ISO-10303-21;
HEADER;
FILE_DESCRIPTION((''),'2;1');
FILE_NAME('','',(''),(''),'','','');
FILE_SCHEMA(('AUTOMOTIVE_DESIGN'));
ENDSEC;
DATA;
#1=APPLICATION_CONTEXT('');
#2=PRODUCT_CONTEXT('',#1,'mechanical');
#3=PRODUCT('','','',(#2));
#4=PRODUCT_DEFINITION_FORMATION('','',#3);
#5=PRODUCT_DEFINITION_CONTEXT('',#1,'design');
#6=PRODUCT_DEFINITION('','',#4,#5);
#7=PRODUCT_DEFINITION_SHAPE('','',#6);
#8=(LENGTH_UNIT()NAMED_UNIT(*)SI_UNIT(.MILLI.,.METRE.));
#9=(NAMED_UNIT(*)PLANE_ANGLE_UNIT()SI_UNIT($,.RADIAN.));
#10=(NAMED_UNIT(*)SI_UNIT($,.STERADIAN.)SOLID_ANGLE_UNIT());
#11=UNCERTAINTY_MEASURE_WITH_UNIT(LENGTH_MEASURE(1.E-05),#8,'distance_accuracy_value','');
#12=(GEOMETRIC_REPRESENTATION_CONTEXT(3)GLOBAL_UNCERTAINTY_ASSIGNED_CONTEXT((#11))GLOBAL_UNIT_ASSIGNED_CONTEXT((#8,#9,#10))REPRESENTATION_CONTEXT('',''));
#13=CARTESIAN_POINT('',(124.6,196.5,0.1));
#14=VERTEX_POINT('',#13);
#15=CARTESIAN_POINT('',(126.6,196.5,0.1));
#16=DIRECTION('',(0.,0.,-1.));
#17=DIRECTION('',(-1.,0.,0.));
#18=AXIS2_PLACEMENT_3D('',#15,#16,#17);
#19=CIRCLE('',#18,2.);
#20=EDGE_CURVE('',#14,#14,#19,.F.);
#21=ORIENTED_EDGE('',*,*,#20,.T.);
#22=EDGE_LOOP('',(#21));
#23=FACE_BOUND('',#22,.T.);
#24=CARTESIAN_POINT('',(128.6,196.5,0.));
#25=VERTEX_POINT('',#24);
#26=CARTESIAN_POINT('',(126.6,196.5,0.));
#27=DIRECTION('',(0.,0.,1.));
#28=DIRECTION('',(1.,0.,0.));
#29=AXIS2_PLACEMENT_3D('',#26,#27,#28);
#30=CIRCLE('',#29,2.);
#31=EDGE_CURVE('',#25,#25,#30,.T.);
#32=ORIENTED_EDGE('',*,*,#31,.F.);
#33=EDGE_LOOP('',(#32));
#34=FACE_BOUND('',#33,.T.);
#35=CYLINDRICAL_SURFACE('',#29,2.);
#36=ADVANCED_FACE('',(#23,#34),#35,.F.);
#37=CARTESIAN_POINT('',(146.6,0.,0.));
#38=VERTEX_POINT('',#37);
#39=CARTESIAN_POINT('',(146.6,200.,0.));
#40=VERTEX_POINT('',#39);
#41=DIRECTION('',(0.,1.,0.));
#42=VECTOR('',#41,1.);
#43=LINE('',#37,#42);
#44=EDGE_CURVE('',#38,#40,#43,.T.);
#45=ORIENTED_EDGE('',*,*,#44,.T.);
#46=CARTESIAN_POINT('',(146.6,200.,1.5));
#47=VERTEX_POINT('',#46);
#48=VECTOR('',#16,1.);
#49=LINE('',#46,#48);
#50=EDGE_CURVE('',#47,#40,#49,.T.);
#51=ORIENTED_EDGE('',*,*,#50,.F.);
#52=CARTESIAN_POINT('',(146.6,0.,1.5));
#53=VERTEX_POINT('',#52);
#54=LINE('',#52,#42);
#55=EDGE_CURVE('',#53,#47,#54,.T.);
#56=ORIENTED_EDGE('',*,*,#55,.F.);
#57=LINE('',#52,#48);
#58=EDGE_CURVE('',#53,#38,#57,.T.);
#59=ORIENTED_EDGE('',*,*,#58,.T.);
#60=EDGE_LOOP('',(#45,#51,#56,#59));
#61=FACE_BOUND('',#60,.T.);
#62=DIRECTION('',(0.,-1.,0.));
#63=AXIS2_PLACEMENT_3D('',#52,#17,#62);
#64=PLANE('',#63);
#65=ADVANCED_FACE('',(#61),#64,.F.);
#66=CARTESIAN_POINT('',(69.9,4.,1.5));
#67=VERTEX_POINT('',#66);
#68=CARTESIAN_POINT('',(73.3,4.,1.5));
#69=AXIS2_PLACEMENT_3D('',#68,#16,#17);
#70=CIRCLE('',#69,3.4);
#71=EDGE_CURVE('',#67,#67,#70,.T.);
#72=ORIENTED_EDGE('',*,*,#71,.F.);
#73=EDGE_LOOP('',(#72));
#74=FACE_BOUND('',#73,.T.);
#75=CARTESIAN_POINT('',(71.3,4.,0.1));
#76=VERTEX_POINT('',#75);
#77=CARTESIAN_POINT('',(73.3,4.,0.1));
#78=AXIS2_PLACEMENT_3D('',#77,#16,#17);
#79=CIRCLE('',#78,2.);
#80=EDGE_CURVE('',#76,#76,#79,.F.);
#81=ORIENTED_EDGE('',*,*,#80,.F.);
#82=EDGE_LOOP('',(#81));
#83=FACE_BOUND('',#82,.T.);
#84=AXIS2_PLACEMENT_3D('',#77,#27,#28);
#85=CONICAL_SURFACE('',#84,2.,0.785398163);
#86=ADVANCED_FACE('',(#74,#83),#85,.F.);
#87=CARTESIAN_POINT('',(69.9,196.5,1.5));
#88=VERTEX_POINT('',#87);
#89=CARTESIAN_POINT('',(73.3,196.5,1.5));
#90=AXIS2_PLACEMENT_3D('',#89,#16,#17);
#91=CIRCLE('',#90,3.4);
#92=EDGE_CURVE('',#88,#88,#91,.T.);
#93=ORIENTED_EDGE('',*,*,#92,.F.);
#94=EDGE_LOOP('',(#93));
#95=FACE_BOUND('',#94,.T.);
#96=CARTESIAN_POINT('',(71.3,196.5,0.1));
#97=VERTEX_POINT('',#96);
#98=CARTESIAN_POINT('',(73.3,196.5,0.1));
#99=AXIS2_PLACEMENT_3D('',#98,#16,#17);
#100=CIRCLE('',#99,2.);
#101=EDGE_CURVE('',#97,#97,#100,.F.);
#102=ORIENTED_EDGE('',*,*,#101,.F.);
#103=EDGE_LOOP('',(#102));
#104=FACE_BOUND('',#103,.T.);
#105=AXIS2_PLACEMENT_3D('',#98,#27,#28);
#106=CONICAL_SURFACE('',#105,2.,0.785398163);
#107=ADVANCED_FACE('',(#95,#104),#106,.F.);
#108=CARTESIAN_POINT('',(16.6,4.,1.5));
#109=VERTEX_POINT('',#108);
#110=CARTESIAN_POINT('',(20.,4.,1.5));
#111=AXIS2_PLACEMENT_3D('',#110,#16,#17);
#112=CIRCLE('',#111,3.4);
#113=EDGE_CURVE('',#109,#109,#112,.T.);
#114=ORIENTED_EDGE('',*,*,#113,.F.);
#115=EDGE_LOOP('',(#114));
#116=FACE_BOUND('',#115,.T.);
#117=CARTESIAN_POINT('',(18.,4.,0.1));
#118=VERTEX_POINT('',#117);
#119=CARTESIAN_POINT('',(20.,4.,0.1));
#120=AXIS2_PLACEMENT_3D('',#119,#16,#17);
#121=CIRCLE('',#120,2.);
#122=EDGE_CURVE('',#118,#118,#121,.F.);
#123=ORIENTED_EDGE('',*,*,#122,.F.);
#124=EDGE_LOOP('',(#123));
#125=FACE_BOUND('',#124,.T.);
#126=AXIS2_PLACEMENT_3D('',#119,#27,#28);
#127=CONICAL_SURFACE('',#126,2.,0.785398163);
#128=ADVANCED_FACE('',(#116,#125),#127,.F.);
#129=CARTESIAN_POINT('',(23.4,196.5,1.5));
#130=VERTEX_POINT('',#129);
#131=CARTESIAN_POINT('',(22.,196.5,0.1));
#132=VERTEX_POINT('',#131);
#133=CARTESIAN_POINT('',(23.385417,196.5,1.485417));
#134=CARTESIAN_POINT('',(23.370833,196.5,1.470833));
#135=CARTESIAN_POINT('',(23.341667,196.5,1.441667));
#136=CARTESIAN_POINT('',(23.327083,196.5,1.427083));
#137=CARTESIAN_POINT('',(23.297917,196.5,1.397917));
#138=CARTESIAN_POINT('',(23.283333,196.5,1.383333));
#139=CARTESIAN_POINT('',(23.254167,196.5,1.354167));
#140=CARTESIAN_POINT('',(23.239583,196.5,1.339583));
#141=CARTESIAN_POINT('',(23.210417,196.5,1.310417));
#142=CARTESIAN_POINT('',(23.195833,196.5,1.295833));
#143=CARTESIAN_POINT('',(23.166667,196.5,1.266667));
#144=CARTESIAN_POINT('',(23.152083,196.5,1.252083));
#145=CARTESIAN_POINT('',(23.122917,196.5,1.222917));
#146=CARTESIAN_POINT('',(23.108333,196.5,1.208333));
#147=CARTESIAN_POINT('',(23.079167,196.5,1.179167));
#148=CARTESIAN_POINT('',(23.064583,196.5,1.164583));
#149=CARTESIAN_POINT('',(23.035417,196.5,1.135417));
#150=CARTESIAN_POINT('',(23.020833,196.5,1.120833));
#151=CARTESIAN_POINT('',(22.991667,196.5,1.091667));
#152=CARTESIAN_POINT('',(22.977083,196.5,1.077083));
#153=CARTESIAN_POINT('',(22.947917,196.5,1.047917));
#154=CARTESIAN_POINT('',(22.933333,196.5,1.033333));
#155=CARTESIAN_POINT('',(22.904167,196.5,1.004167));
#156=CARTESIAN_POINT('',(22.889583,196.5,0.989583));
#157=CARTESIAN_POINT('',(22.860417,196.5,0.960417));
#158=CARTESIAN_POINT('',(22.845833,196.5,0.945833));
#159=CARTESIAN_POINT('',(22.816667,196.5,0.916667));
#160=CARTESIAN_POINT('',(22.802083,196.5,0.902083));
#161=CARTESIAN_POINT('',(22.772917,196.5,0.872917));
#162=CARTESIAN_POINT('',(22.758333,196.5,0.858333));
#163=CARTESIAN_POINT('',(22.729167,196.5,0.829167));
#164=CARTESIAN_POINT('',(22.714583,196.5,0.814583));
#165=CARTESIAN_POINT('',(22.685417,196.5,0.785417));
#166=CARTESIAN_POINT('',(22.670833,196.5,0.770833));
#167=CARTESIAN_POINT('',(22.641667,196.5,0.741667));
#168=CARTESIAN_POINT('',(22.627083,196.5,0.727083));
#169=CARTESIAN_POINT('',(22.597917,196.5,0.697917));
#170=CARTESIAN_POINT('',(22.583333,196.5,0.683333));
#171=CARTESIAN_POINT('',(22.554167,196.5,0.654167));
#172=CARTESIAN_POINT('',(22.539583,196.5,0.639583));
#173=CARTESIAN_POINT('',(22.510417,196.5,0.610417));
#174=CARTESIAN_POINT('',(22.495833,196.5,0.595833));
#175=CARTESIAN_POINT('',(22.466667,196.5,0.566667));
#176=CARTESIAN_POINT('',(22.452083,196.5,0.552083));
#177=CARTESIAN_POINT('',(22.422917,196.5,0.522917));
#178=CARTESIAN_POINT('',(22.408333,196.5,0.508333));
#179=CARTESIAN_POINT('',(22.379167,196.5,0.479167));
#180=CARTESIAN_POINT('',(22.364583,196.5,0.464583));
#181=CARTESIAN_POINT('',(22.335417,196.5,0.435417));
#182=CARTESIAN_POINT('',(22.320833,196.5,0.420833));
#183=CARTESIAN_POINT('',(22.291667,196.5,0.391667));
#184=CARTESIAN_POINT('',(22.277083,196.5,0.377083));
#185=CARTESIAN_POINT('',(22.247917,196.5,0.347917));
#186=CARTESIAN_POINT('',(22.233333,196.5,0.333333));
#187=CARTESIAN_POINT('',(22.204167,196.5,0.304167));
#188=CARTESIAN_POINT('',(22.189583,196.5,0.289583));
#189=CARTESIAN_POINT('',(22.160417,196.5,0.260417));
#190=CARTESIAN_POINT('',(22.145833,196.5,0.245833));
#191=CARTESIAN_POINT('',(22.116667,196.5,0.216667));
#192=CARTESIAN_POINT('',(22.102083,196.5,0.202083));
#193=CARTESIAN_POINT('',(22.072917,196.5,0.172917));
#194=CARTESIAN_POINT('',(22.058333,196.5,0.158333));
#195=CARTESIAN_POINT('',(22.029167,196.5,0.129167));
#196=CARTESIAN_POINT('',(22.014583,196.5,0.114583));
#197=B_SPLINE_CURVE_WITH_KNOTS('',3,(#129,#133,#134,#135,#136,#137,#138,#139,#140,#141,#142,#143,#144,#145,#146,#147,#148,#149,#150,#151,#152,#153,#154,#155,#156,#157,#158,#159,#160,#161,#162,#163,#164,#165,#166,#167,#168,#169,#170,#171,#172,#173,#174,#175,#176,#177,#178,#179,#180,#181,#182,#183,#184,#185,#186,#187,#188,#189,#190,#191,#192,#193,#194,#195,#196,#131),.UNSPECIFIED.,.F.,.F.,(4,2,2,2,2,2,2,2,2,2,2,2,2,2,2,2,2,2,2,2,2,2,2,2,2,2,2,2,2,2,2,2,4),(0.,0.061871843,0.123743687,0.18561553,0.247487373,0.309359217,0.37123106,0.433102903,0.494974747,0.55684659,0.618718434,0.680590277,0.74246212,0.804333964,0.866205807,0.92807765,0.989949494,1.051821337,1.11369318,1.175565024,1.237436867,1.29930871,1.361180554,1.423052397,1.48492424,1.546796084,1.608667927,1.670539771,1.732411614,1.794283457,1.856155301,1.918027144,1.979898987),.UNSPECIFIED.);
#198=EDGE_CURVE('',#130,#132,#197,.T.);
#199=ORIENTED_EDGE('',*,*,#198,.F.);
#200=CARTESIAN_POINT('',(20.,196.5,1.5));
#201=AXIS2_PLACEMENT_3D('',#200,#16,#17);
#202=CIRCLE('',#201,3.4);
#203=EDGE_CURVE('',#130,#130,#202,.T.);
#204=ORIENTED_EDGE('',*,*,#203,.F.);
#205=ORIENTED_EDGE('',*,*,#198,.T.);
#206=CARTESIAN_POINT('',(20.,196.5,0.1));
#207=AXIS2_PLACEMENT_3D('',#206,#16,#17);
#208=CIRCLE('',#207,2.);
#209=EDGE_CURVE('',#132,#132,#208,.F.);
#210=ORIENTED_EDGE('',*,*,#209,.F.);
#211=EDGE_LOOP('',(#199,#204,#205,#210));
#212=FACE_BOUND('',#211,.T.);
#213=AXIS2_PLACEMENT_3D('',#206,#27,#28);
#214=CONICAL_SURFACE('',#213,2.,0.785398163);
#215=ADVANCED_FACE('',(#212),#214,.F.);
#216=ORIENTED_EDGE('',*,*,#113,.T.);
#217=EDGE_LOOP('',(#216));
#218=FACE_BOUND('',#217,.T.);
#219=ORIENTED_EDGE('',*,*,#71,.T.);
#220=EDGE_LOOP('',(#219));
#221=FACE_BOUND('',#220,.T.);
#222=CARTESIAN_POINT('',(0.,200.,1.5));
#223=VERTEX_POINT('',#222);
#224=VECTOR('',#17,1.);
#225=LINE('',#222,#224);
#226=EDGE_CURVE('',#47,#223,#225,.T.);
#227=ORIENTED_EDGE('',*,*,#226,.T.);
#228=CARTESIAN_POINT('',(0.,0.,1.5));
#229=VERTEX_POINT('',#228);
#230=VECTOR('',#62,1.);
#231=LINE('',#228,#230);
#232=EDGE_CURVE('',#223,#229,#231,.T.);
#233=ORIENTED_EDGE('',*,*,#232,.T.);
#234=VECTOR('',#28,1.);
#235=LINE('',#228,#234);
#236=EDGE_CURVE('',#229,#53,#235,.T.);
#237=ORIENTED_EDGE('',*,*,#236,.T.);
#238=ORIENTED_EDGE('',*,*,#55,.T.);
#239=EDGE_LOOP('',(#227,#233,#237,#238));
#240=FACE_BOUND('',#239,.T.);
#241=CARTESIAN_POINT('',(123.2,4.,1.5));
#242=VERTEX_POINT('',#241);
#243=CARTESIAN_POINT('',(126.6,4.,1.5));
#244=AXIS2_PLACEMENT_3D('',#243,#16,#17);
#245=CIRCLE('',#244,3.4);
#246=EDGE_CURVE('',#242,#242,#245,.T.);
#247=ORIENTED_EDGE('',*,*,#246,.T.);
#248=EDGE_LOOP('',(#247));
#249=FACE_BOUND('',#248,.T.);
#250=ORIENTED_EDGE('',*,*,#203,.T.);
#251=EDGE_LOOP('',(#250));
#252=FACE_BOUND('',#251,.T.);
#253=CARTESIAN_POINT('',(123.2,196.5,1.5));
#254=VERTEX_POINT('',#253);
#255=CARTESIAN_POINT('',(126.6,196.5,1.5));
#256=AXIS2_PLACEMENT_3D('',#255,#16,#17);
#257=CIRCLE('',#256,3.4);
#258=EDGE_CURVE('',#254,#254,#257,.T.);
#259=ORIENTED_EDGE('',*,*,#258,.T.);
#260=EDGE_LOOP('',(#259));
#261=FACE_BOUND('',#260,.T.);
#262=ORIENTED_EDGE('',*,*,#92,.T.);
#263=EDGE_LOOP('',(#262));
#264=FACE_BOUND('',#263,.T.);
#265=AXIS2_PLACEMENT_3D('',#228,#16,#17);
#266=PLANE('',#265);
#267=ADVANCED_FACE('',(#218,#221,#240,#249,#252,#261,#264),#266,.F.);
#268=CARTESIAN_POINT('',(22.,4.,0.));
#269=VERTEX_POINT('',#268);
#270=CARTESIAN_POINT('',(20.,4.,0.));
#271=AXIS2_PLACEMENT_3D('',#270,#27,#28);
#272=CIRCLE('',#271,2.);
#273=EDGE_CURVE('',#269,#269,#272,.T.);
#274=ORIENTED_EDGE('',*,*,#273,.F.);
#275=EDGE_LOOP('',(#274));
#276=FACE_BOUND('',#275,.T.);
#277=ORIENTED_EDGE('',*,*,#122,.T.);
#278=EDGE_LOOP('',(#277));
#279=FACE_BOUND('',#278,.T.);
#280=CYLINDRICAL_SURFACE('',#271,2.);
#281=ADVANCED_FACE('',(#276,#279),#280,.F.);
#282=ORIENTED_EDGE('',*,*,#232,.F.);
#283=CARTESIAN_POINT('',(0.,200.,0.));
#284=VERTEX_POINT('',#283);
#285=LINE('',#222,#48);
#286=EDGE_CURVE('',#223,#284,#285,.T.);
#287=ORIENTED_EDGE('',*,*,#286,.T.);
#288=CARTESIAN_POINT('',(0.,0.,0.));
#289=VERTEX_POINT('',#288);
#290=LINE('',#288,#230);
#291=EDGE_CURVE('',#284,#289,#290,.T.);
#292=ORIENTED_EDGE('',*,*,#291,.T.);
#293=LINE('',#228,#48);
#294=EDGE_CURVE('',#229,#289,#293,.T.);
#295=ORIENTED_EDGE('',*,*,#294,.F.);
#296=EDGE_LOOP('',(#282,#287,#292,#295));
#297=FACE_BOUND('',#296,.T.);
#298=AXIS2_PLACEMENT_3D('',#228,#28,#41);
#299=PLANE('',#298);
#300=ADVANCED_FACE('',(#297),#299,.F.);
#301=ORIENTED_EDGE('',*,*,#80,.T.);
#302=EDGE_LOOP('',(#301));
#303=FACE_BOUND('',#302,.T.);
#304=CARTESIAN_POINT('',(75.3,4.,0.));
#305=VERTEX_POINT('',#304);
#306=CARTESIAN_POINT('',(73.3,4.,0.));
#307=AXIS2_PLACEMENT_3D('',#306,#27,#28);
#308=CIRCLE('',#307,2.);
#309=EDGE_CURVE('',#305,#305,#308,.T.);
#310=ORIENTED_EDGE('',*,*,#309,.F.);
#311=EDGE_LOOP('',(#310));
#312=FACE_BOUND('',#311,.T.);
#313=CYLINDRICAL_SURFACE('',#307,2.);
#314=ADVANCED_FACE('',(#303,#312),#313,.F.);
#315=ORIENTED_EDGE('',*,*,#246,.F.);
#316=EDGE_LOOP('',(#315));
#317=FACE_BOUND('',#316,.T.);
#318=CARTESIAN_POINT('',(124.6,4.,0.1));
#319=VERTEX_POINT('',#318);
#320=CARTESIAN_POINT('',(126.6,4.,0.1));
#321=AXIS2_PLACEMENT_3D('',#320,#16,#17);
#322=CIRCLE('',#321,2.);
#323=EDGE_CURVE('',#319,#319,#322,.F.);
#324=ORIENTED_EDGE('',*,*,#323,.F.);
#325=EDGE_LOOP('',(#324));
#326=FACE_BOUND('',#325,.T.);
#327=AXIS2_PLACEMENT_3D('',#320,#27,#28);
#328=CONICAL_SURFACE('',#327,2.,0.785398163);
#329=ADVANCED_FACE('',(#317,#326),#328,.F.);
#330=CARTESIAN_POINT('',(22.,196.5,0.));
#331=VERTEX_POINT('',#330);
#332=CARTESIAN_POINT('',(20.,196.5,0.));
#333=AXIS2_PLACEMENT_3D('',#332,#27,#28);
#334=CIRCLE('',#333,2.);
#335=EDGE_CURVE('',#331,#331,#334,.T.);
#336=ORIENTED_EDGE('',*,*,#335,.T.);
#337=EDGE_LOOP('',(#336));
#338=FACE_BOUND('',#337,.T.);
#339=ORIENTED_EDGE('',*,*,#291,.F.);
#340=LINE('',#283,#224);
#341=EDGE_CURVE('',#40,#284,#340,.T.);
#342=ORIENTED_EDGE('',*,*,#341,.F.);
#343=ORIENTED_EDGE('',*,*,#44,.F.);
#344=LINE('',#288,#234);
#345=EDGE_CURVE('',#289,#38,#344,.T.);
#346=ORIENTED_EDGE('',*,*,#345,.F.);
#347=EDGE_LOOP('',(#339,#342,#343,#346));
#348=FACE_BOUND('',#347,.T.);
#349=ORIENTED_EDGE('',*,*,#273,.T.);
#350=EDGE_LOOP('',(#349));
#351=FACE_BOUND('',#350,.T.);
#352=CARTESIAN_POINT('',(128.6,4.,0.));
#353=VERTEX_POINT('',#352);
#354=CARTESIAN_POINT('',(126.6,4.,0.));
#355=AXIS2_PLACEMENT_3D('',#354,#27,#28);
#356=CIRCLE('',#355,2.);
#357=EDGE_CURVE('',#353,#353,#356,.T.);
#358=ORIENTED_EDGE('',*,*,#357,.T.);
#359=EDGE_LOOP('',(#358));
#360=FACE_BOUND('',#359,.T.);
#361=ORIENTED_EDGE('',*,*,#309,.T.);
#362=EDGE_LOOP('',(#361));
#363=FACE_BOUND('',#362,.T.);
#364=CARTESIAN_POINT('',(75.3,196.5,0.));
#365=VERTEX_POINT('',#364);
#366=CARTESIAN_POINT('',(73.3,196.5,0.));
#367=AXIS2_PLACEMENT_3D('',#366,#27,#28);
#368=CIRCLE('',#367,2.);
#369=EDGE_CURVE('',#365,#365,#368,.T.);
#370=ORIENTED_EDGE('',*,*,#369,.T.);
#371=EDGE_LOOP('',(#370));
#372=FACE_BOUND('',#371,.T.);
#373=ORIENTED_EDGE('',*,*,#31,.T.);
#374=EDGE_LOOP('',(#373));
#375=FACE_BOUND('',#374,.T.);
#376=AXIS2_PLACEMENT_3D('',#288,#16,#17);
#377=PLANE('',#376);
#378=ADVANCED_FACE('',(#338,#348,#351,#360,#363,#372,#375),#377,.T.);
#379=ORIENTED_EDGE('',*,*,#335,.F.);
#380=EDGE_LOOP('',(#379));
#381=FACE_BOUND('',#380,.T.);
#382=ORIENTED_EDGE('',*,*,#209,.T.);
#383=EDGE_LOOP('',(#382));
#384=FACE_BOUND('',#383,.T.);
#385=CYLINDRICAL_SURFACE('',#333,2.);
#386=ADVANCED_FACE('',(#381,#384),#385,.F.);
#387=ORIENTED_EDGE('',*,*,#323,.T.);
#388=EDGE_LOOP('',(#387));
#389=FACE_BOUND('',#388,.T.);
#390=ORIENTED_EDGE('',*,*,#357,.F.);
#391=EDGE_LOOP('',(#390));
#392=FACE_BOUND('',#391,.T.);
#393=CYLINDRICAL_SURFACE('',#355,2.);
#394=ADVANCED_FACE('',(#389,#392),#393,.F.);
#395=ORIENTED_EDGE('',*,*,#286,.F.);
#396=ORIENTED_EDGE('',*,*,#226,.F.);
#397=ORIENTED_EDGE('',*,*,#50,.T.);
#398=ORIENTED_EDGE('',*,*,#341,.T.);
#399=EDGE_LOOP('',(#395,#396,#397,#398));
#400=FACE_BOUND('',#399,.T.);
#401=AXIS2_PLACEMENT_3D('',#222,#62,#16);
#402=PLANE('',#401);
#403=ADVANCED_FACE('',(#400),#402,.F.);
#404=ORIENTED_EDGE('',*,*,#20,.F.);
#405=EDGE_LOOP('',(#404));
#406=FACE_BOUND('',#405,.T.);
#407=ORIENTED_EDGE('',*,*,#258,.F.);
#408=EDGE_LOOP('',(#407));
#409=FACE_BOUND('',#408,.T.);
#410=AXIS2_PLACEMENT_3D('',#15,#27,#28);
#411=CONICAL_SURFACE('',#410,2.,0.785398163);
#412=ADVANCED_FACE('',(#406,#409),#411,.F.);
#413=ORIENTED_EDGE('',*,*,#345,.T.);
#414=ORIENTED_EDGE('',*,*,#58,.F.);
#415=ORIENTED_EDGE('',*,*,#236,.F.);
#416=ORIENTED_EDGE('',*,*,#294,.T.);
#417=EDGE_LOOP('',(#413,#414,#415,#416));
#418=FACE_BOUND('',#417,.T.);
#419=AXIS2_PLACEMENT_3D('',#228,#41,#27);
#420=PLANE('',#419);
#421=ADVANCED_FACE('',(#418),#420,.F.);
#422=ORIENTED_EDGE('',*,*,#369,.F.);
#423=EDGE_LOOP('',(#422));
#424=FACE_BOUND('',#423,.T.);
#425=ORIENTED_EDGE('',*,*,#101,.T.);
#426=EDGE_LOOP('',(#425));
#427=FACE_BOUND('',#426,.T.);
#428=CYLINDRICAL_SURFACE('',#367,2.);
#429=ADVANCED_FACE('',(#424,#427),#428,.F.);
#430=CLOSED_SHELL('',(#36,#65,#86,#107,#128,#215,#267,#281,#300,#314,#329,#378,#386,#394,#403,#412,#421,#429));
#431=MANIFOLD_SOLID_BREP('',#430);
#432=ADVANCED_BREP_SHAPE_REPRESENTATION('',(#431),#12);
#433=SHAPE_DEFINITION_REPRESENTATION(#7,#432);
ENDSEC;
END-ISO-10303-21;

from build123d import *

# Parameters (mm, degrees)
SKETCH_1_W          = 146.6
SKETCH_1_H          = 200
EXTRUDE_1_DEPTH     = 1.5
SKETCH_2_R          = 2
CUT_EXTRUDE_1_DEPTH = 248.979454794
CHAMFER_1_SIZE      = 1.4


with BuildPart() as part:
    # Эскиз1 → Бобышка-Вытянуть1 (new body)
    with BuildSketch(Plane.XY):
        with Locations((73.3, 100)):
            Rectangle(SKETCH_1_W, SKETCH_1_H)
    extrude(amount=EXTRUDE_1_DEPTH)

    # Эскиз2 → Вырез-Вытянуть1 (cut, through all)
    with BuildSketch(Plane.XY.offset(1.5)):
        with Locations((20, 4)):
            Circle(SKETCH_2_R)
        with Locations((20, 196.5)):
            Circle(SKETCH_2_R)
        with Locations((73.3, 196.5)):
            Circle(SKETCH_2_R)
        with Locations((73.3, 4)):
            Circle(SKETCH_2_R)
        with Locations((126.6, 196.5)):
            Circle(SKETCH_2_R)
        with Locations((126.6, 4)):
            Circle(SKETCH_2_R)
    extrude(amount=-CUT_EXTRUDE_1_DEPTH, mode=Mode.SUBTRACT)

    # Фаска1
    chamfer_1_edges = [part.edges().sort_by_distance(p)[0] for p in [
        (124.6, 4, 1.5),
        (71.3, 196.5, 1.5),
        (71.3, 4, 1.5),
        (18, 196.5, 1.5),
        (124.6, 196.5, 1.5),
        (18, 4, 1.5),
    ]]
    chamfer(chamfer_1_edges, length=CHAMFER_1_SIZE)


solid = part.part
